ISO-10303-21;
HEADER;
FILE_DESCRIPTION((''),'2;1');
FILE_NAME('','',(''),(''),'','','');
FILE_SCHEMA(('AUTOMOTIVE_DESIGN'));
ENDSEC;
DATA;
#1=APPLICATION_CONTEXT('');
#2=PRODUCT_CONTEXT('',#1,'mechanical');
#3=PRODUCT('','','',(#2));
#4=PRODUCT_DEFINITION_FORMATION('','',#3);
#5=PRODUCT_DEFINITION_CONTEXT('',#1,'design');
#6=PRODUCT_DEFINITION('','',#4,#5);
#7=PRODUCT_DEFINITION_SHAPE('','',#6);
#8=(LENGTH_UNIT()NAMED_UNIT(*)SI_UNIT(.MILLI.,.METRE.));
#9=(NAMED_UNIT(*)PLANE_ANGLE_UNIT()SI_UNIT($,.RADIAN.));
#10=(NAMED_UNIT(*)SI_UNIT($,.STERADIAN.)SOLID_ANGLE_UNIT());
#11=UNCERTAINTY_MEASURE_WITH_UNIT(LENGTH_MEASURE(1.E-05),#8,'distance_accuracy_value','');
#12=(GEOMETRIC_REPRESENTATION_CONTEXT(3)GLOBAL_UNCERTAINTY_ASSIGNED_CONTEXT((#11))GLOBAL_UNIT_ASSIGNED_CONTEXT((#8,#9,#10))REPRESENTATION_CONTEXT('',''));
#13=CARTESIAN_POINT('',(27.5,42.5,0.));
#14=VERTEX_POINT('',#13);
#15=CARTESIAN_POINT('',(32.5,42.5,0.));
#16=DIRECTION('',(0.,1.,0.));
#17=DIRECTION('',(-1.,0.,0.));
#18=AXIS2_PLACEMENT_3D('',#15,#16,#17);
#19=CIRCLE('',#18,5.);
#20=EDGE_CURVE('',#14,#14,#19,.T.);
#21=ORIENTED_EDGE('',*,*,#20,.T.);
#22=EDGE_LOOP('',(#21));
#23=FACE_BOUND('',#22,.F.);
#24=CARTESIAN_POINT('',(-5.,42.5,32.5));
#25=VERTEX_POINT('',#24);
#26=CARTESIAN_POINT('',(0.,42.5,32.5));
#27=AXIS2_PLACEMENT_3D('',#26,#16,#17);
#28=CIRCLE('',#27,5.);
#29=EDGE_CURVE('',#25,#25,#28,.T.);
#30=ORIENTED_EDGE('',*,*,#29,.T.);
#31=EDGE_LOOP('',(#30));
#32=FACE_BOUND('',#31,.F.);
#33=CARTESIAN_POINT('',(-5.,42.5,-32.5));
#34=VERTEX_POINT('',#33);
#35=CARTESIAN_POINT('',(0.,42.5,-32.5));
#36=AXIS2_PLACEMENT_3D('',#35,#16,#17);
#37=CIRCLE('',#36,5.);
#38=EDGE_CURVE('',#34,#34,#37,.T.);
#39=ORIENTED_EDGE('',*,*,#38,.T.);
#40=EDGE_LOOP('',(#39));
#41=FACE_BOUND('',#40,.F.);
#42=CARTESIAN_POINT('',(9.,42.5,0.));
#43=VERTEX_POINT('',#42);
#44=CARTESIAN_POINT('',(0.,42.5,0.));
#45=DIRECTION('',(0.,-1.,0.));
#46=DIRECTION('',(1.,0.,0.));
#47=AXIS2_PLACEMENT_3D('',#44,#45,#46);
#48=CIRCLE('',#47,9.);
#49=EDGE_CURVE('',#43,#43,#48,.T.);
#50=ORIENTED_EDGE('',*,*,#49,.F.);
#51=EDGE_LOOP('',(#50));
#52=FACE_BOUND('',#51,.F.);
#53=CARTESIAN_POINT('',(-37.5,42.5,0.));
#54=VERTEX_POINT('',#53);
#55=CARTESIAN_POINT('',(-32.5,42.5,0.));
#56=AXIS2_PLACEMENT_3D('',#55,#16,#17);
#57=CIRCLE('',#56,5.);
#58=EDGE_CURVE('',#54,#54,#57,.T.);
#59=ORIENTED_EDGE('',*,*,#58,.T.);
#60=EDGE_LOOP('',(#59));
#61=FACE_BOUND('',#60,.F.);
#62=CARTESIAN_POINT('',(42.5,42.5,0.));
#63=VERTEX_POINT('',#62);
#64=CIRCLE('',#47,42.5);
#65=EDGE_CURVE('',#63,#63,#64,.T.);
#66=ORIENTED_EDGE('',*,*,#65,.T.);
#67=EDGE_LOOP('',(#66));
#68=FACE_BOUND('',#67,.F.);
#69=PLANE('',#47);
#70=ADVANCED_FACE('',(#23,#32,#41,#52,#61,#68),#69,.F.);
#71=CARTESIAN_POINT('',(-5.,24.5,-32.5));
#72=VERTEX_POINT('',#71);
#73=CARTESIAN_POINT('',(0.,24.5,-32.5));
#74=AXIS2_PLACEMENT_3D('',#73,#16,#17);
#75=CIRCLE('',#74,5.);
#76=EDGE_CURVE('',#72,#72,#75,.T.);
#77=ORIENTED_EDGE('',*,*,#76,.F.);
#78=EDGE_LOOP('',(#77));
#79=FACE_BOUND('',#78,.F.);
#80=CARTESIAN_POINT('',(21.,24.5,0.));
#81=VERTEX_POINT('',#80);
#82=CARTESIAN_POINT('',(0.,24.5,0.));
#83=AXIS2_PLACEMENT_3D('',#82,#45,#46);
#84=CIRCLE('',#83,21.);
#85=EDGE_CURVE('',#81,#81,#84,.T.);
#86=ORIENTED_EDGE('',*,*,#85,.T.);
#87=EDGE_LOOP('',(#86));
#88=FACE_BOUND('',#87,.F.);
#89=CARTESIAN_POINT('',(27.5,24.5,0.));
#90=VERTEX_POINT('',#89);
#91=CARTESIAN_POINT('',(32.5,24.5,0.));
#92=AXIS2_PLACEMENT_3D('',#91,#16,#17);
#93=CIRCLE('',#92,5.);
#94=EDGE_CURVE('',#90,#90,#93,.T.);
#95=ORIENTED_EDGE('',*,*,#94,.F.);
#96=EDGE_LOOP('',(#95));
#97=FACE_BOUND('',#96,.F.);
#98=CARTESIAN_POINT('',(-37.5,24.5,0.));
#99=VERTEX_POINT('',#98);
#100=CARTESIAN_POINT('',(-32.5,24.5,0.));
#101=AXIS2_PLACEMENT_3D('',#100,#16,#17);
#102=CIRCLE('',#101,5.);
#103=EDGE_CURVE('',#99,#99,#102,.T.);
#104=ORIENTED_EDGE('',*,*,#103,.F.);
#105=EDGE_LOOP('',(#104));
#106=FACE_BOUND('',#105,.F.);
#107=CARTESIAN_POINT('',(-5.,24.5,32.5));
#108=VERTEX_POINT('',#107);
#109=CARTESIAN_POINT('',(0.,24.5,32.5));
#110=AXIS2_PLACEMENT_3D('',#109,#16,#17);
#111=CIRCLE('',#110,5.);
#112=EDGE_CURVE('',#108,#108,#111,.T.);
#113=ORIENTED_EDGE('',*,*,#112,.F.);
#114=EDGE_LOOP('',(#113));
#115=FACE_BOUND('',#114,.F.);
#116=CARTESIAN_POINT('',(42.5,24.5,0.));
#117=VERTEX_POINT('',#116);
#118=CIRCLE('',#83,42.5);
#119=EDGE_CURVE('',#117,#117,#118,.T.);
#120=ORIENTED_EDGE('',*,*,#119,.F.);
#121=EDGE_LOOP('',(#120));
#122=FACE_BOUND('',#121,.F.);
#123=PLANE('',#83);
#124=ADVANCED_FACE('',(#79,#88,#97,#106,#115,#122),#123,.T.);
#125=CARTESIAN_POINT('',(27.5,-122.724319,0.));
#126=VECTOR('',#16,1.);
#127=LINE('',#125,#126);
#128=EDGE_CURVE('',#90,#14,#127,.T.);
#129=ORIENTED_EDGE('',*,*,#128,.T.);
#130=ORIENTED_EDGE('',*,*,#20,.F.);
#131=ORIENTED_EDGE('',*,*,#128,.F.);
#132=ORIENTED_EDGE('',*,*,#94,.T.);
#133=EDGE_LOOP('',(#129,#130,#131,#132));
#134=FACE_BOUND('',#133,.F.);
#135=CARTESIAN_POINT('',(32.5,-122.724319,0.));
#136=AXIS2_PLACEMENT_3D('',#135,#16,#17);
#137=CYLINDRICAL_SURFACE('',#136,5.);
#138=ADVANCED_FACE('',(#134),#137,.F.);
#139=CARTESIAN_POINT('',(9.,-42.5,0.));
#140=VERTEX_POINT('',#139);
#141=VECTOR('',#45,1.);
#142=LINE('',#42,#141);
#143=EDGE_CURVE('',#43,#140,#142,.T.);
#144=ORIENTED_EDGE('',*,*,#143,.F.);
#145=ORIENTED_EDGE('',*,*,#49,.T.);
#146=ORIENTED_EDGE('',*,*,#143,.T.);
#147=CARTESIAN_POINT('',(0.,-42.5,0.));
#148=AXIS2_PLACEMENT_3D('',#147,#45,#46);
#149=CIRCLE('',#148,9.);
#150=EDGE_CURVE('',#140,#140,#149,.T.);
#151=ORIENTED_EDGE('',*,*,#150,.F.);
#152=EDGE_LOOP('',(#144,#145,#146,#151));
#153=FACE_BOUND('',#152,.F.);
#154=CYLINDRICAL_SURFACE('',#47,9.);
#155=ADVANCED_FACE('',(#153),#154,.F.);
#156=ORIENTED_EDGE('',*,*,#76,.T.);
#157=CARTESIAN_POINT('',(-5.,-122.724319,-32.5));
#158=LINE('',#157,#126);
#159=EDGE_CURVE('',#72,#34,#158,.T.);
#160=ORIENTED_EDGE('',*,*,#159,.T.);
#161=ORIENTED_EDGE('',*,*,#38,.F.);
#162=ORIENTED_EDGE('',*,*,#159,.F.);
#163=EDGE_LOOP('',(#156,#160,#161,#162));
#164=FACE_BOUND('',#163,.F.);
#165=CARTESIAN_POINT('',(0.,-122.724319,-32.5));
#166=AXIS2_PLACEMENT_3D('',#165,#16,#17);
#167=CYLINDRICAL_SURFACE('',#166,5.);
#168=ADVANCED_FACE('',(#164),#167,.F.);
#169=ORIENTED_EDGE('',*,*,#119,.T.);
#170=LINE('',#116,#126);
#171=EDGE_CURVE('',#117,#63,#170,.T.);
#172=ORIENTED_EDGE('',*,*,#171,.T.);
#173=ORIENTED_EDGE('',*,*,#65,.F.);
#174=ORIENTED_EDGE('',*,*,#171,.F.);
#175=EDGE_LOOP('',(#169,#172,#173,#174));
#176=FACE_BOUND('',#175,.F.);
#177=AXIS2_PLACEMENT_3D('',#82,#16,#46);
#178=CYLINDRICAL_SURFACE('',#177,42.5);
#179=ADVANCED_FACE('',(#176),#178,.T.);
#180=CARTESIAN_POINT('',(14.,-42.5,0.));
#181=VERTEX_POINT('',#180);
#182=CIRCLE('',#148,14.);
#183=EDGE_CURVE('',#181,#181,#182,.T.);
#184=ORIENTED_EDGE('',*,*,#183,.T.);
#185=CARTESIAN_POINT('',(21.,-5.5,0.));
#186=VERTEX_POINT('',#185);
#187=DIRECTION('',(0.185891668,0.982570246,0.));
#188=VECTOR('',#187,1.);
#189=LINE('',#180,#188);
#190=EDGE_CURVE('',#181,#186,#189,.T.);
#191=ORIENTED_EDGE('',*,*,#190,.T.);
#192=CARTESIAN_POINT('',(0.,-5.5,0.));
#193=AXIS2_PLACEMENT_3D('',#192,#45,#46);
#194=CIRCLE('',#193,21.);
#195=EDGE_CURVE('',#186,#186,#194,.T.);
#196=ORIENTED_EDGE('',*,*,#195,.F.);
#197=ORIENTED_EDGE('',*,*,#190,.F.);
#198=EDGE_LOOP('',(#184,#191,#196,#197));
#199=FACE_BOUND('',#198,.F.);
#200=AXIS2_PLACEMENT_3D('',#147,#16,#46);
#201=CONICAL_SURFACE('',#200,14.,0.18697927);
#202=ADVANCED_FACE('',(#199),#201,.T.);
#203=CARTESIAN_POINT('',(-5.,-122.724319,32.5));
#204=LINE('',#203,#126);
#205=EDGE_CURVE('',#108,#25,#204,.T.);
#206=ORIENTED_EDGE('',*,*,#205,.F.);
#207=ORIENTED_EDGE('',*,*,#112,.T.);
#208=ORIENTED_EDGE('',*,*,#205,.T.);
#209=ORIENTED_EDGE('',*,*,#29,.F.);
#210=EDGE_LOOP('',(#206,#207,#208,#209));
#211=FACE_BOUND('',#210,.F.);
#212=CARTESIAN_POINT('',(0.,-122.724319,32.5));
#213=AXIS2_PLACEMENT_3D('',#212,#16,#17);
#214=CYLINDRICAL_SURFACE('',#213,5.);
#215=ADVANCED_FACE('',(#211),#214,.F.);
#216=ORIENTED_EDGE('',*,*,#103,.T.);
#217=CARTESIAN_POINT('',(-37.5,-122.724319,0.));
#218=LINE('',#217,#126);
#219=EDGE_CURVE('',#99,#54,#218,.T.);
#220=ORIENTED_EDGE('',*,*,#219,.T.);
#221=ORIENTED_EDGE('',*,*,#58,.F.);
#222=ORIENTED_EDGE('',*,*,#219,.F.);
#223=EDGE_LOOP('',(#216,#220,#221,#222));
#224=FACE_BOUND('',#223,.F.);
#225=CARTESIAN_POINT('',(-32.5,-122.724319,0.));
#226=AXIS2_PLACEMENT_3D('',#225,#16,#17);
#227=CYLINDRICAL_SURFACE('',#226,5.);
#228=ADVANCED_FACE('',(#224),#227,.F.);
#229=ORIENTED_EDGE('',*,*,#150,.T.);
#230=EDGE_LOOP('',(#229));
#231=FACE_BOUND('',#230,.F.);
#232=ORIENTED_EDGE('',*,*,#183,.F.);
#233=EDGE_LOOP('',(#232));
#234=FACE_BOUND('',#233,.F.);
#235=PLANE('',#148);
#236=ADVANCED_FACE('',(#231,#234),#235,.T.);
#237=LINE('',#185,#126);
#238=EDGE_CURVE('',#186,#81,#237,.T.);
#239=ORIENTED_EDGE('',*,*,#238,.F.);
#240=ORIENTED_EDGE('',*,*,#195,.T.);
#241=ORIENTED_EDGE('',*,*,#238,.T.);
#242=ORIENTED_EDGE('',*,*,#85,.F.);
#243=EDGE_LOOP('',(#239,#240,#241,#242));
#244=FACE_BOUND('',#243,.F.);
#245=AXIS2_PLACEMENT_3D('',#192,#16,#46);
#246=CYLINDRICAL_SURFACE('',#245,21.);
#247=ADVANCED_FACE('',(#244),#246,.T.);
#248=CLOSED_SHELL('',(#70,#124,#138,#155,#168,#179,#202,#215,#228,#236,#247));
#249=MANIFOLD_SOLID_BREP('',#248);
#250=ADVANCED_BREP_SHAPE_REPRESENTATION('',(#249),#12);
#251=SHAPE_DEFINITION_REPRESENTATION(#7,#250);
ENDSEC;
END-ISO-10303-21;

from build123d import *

# Parameters (mm, degrees)
F3_D = 10


with BuildPart() as f1:
    # F0 (on Top) → F1 (revolve)
    with BuildSketch(Plane.XY):
        Polygon((9, 42.5), (9, -42.5), (14, -42.5), (21, -5.5), (21, 24.5), (42.5, 24.5), (42.5, 42.5), align=None)
    revolve(axis=Axis((0, -1.99083, 0), (0, -1, 0)))

    # F3 (through all)
    with Locations(Plane.XZ.offset(-24.5)):
        with Locations((0, 32.5), (32.5, 0), (0, -32.5), (-32.5, 0)):
            Hole(F3_D / 2)


solid = f1.part
